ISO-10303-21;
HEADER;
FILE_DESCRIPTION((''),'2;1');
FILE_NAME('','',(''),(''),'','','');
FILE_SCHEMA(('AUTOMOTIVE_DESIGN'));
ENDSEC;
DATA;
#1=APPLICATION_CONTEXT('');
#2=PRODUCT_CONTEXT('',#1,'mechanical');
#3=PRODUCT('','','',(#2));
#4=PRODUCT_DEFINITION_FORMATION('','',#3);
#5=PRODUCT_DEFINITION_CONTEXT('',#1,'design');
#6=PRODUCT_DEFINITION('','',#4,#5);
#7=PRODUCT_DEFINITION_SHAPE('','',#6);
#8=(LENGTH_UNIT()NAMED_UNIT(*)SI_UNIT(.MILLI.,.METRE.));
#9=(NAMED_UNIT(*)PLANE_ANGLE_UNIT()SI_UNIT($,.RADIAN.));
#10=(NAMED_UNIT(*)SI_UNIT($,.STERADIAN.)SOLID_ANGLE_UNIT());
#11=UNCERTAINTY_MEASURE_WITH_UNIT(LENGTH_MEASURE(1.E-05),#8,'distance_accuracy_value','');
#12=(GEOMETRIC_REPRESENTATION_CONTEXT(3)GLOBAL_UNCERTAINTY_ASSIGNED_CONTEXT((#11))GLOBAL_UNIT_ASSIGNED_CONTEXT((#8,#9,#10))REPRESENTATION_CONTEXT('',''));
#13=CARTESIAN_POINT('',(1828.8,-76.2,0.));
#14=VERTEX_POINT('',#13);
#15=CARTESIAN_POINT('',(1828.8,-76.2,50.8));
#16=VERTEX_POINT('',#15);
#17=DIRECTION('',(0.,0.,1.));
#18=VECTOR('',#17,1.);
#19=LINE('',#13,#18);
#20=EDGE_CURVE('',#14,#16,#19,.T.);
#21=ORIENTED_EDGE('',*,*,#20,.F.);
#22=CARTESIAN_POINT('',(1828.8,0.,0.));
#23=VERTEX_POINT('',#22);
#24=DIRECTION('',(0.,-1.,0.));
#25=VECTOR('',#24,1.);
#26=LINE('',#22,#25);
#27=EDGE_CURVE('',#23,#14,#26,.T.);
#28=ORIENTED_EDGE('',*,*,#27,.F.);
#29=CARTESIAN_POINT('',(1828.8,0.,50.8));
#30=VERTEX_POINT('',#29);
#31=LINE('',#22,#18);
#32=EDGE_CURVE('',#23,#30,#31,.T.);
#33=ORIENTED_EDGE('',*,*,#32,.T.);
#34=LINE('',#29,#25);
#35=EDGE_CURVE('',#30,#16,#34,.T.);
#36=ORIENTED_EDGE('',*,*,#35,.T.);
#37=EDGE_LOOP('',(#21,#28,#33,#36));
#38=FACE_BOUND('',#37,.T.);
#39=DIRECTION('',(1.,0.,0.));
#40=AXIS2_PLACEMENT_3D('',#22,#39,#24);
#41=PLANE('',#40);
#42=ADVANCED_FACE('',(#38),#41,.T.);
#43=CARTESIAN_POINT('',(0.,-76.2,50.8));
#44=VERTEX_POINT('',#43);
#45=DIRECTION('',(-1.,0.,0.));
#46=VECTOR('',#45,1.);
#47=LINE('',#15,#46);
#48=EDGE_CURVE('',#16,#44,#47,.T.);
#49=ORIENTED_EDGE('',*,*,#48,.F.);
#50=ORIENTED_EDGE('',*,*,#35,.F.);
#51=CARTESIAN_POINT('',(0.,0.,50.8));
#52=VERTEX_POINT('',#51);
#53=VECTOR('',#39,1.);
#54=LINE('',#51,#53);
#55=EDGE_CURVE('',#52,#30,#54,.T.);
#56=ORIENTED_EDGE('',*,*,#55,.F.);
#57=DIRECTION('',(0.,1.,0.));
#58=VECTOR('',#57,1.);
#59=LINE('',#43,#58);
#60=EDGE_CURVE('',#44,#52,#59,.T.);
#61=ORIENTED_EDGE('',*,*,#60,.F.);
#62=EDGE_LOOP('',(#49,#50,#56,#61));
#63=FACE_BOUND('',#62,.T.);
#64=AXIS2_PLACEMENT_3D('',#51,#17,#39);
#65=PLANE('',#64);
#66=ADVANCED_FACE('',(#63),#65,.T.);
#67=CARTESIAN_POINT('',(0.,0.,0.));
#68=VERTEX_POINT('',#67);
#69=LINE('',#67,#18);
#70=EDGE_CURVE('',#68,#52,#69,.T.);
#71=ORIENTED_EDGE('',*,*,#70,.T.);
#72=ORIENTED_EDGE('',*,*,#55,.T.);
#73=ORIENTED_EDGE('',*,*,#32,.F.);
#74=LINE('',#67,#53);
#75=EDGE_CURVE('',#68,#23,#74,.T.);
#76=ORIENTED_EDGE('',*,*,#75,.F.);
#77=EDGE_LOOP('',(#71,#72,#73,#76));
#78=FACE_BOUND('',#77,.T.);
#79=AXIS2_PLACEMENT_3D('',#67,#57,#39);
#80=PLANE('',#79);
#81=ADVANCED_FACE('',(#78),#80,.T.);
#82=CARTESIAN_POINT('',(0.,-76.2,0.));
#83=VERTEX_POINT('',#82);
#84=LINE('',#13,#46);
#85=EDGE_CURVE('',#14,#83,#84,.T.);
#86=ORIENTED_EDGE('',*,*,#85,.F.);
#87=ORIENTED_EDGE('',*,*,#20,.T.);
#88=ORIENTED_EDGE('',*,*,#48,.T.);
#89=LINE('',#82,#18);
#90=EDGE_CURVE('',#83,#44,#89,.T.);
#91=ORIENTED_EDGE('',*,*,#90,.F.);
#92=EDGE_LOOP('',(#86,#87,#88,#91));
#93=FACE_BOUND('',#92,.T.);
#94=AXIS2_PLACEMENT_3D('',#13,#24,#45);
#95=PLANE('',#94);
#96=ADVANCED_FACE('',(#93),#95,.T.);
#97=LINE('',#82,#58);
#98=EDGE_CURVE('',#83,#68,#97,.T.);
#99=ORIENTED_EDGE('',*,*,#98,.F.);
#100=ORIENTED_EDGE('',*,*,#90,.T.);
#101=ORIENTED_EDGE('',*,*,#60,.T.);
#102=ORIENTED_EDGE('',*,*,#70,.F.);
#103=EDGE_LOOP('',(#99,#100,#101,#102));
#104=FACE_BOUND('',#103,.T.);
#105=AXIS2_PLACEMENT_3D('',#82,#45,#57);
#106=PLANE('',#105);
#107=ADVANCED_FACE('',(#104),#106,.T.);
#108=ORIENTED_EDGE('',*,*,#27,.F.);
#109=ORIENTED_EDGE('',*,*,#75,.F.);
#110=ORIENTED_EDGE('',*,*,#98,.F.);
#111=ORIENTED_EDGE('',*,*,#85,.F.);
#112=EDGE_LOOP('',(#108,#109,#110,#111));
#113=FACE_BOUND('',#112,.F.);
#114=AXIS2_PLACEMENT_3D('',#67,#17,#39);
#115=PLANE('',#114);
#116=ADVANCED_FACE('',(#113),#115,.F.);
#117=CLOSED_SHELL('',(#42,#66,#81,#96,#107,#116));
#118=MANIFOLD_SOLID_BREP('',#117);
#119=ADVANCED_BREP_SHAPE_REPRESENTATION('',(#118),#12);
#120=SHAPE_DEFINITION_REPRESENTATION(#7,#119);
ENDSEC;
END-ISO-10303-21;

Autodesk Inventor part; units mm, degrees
ref_plane "YZ Plane" through (0, 0, 0) normal (1, 0, 0) x (0, 1, 0)
ref_plane "XZ Plane" through (0, 0, 0) normal (0, 1, 0) x (-1, 0, 0)
ref_plane "XY Plane" through (0, 0, 0) normal (0, 0, 1) x (1, 0, 0)
sketch "Sketch1" plane through (0, 0, 0) normal (0, 0, 1) x (1, 0, 0)
  line L0 (0, 0) -> (1828.8, 0)
  line L1 (1828.8, 0) -> (1828.8, -76.2)
  line L2 (1828.8, -76.2) -> (0, -76.2)
  line L3 (0, -76.2) -> (0, 0)
  dimension "d0" = 1828.8
  dimension "d1" = 76.2
extrude "Extrusion1" add sketch "Sketch1" along normal blind 50.8
properties part number "rev1 base large wall h stud"
